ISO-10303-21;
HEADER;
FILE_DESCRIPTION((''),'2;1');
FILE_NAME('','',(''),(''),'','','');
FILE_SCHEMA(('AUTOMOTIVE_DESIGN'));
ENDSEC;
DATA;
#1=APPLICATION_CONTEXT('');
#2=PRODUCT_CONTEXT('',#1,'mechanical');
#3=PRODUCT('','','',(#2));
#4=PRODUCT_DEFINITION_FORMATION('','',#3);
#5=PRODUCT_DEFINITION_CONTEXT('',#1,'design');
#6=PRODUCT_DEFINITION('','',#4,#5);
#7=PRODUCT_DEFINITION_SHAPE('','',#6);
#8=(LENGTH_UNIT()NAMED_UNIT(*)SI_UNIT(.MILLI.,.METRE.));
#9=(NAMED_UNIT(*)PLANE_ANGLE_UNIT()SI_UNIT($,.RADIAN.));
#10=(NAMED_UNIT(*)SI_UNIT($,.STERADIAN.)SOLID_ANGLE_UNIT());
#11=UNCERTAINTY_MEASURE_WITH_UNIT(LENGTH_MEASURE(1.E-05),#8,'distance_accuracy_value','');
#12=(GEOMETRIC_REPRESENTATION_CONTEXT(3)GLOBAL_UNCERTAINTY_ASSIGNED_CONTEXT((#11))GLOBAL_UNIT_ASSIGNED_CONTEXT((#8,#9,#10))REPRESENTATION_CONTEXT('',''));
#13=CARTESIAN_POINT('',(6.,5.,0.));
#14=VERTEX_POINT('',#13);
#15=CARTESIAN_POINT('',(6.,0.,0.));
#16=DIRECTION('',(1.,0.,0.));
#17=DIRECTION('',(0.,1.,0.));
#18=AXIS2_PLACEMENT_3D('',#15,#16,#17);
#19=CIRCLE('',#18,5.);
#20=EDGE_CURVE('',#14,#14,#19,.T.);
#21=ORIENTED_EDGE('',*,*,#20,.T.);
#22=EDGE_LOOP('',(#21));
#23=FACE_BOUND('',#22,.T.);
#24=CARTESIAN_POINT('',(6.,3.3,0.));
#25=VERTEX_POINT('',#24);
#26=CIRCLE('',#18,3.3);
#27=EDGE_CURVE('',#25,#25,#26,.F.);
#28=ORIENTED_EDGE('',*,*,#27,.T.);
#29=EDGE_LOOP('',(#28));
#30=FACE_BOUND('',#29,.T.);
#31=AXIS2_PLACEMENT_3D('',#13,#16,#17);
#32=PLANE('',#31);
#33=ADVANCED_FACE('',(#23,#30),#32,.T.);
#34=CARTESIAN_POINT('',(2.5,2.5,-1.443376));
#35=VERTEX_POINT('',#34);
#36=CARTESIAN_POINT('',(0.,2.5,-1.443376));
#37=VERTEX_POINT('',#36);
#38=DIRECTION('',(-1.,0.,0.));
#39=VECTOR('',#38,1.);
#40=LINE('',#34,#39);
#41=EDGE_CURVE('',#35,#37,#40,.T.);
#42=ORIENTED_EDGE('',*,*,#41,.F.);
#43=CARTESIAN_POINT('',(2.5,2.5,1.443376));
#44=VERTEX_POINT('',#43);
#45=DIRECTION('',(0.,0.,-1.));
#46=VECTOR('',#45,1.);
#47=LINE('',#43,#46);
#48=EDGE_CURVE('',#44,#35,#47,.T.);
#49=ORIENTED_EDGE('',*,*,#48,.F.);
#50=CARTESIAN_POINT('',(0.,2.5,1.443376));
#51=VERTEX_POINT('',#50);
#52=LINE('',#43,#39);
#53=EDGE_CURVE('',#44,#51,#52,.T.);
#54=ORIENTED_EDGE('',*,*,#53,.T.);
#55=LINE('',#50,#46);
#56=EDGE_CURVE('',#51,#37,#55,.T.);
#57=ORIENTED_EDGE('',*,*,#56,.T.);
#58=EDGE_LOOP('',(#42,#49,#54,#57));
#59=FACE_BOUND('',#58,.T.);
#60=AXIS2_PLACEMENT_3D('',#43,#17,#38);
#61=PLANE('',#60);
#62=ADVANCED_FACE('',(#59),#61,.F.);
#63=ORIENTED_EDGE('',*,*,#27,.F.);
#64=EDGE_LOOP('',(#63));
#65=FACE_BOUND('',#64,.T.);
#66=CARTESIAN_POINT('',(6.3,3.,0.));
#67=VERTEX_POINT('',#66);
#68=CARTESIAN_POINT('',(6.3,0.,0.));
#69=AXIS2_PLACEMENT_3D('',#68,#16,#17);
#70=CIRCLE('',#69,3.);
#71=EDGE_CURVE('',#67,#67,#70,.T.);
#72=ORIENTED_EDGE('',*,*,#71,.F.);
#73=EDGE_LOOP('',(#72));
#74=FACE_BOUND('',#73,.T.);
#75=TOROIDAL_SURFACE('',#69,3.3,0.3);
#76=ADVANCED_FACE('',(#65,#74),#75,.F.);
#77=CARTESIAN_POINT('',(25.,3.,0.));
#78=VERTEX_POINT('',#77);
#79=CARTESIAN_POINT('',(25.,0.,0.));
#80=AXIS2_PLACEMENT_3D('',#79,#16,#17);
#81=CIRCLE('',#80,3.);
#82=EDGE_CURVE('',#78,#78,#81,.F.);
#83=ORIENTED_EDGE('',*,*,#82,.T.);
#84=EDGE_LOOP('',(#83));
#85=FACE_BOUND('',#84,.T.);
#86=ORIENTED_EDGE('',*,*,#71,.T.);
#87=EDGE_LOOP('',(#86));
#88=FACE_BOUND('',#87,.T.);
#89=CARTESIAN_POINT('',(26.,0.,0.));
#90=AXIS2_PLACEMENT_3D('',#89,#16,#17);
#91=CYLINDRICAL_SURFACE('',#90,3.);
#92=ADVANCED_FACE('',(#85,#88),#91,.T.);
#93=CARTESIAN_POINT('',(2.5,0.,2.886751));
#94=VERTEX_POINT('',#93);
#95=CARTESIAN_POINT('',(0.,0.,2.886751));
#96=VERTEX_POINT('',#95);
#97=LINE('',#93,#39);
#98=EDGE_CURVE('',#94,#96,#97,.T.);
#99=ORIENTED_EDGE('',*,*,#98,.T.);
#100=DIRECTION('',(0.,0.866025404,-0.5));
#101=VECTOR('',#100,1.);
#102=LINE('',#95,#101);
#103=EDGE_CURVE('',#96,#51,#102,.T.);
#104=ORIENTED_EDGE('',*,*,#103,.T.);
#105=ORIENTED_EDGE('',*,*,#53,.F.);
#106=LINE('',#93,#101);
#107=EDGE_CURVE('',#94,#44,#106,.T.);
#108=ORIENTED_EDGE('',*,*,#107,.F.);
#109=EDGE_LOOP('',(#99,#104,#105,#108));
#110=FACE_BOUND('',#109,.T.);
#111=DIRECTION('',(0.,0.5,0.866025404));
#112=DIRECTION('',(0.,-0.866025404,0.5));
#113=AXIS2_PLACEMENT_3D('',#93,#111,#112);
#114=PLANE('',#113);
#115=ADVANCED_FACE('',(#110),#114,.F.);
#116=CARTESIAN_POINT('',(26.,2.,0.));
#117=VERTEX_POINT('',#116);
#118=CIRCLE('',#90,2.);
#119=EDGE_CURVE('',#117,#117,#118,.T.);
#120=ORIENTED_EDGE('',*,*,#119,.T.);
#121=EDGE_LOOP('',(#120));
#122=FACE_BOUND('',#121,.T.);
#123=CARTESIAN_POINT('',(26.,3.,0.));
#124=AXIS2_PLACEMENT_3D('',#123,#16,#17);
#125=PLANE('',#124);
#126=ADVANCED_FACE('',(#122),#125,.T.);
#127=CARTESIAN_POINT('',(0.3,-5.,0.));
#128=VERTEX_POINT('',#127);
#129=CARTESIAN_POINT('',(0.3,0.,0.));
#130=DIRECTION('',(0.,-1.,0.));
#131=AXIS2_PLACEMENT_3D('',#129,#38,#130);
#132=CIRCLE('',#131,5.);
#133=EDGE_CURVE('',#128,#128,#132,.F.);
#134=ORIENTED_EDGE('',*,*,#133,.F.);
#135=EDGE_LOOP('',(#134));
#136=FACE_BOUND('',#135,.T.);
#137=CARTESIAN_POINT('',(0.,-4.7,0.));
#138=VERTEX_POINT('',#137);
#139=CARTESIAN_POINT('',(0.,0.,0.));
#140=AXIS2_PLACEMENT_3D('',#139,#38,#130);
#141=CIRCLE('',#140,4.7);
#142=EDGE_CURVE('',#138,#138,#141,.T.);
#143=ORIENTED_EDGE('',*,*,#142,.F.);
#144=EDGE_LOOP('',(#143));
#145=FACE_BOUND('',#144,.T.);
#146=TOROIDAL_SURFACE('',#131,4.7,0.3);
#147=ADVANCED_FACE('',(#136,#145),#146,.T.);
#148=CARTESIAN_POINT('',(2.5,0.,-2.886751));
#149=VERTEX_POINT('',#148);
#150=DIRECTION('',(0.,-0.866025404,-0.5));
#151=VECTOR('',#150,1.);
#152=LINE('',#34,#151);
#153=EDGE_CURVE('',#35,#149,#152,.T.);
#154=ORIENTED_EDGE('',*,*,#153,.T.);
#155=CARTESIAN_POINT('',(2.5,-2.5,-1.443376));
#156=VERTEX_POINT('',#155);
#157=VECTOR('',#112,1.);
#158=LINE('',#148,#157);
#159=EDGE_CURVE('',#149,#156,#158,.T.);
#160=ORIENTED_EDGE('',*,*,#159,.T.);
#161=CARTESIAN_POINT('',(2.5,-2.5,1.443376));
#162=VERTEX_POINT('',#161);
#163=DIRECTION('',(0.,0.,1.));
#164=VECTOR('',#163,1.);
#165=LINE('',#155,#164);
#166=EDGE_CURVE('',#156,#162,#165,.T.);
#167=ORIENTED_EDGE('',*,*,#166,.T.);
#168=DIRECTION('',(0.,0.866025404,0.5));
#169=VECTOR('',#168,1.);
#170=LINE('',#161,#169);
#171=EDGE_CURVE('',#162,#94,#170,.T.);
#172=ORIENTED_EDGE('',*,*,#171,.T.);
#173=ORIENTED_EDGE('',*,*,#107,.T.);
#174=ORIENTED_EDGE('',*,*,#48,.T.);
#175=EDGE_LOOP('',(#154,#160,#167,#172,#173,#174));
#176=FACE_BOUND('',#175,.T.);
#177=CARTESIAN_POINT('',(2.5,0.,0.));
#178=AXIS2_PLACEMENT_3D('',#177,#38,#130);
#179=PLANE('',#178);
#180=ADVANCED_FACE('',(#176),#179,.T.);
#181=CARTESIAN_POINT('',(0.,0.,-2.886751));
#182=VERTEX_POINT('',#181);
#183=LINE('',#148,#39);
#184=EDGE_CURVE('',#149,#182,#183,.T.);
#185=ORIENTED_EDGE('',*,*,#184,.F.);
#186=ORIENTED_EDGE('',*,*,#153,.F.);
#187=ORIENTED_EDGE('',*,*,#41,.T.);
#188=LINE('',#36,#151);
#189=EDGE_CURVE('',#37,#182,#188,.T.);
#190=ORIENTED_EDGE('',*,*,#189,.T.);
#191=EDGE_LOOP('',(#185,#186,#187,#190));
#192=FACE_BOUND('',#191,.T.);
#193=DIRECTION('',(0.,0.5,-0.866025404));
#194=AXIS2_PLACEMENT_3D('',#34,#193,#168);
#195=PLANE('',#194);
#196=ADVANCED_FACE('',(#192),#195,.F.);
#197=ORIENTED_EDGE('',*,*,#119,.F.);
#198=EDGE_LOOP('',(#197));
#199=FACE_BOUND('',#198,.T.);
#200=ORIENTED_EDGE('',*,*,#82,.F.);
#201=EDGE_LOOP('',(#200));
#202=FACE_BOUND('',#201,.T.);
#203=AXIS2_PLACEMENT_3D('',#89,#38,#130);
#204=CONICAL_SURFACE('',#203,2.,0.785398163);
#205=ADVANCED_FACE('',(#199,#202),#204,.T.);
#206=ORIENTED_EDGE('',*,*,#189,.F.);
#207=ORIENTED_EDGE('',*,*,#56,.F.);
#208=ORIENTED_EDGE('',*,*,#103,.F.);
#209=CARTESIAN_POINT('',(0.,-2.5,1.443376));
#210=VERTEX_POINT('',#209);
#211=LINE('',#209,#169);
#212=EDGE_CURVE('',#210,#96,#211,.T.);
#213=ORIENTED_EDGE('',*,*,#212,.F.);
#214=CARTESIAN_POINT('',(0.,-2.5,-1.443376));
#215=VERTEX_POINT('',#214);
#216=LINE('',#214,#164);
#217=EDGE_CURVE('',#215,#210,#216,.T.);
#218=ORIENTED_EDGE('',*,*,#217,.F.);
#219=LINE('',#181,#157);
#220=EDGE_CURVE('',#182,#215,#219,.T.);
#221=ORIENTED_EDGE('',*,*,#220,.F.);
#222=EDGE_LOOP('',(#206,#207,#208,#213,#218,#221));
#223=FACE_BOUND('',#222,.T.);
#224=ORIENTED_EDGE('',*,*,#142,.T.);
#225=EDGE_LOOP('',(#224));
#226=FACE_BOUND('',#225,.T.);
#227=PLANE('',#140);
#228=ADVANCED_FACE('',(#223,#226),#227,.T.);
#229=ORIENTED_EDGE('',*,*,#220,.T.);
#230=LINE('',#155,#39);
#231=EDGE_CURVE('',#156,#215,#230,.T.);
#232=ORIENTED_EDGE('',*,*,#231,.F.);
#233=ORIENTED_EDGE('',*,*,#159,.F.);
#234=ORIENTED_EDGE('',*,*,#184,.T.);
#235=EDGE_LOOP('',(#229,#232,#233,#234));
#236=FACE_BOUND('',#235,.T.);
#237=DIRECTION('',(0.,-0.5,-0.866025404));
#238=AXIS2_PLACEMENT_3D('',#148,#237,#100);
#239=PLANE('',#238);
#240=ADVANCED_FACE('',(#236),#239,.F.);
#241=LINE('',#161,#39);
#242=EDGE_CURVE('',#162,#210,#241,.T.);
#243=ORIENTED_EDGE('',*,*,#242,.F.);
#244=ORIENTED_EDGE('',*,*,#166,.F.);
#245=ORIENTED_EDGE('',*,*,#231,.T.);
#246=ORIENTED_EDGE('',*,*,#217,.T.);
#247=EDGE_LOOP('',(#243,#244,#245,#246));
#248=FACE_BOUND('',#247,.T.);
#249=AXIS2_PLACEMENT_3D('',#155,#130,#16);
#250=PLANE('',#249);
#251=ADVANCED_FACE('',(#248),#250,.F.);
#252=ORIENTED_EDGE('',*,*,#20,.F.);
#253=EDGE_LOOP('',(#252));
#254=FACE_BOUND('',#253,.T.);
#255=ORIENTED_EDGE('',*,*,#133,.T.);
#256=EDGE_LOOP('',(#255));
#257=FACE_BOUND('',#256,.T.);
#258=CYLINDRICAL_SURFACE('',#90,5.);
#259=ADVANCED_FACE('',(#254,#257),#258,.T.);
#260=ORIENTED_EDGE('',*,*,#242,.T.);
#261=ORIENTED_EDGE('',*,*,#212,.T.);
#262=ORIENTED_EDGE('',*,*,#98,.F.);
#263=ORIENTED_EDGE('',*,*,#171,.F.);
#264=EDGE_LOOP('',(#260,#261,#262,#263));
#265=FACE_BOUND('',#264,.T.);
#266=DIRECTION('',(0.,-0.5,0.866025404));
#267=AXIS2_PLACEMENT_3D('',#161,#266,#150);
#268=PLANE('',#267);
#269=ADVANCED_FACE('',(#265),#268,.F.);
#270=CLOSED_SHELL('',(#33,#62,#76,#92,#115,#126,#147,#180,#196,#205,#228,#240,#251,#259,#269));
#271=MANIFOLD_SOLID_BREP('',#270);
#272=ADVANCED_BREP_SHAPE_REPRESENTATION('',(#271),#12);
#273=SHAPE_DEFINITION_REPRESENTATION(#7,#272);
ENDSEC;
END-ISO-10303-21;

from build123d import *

# Parameters (mm, degrees)
CUT_EXTRUDE_1_DEPTH = 2.5
FILLET_1_R          = 0.3
CHAMFER_1_SIZE      = 1


with BuildPart() as part:
    # Эскиз1 → Повернуть1 (revolve)
    with BuildSketch(Plane.XY):
        Polygon((0, 0), (0, 5), (6, 5), (6, 3), (26, 3), (26, 0), align=None)
    revolve(axis=Axis((26, 0, 0), (-1, 0, 0)))

    # Эскиз2 → Вырез-Вытянуть1 (cut)
    with BuildSketch(Plane.ZY):
        Polygon((-1.443375673, 2.5), (-2.886751346, 0), (-1.443375673, -2.5), (1.443375673, -2.5), (2.886751346, 0), (1.443375673, 2.5), align=None)
    extrude(amount=-CUT_EXTRUDE_1_DEPTH, mode=Mode.SUBTRACT)

    # Скругление1
    fillet_1_edges = [part.edges().sort_by_distance(p)[0] for p in [
        (6, -3, 0),
        (0, -5, 0),
    ]]
    fillet(fillet_1_edges, radius=FILLET_1_R)

    # Фаска1
    chamfer_1_edges = [part.edges().sort_by_distance(p)[0] for p in [
        (26, -3, 0),
    ]]
    chamfer(chamfer_1_edges, length=CHAMFER_1_SIZE)


solid = part.part
